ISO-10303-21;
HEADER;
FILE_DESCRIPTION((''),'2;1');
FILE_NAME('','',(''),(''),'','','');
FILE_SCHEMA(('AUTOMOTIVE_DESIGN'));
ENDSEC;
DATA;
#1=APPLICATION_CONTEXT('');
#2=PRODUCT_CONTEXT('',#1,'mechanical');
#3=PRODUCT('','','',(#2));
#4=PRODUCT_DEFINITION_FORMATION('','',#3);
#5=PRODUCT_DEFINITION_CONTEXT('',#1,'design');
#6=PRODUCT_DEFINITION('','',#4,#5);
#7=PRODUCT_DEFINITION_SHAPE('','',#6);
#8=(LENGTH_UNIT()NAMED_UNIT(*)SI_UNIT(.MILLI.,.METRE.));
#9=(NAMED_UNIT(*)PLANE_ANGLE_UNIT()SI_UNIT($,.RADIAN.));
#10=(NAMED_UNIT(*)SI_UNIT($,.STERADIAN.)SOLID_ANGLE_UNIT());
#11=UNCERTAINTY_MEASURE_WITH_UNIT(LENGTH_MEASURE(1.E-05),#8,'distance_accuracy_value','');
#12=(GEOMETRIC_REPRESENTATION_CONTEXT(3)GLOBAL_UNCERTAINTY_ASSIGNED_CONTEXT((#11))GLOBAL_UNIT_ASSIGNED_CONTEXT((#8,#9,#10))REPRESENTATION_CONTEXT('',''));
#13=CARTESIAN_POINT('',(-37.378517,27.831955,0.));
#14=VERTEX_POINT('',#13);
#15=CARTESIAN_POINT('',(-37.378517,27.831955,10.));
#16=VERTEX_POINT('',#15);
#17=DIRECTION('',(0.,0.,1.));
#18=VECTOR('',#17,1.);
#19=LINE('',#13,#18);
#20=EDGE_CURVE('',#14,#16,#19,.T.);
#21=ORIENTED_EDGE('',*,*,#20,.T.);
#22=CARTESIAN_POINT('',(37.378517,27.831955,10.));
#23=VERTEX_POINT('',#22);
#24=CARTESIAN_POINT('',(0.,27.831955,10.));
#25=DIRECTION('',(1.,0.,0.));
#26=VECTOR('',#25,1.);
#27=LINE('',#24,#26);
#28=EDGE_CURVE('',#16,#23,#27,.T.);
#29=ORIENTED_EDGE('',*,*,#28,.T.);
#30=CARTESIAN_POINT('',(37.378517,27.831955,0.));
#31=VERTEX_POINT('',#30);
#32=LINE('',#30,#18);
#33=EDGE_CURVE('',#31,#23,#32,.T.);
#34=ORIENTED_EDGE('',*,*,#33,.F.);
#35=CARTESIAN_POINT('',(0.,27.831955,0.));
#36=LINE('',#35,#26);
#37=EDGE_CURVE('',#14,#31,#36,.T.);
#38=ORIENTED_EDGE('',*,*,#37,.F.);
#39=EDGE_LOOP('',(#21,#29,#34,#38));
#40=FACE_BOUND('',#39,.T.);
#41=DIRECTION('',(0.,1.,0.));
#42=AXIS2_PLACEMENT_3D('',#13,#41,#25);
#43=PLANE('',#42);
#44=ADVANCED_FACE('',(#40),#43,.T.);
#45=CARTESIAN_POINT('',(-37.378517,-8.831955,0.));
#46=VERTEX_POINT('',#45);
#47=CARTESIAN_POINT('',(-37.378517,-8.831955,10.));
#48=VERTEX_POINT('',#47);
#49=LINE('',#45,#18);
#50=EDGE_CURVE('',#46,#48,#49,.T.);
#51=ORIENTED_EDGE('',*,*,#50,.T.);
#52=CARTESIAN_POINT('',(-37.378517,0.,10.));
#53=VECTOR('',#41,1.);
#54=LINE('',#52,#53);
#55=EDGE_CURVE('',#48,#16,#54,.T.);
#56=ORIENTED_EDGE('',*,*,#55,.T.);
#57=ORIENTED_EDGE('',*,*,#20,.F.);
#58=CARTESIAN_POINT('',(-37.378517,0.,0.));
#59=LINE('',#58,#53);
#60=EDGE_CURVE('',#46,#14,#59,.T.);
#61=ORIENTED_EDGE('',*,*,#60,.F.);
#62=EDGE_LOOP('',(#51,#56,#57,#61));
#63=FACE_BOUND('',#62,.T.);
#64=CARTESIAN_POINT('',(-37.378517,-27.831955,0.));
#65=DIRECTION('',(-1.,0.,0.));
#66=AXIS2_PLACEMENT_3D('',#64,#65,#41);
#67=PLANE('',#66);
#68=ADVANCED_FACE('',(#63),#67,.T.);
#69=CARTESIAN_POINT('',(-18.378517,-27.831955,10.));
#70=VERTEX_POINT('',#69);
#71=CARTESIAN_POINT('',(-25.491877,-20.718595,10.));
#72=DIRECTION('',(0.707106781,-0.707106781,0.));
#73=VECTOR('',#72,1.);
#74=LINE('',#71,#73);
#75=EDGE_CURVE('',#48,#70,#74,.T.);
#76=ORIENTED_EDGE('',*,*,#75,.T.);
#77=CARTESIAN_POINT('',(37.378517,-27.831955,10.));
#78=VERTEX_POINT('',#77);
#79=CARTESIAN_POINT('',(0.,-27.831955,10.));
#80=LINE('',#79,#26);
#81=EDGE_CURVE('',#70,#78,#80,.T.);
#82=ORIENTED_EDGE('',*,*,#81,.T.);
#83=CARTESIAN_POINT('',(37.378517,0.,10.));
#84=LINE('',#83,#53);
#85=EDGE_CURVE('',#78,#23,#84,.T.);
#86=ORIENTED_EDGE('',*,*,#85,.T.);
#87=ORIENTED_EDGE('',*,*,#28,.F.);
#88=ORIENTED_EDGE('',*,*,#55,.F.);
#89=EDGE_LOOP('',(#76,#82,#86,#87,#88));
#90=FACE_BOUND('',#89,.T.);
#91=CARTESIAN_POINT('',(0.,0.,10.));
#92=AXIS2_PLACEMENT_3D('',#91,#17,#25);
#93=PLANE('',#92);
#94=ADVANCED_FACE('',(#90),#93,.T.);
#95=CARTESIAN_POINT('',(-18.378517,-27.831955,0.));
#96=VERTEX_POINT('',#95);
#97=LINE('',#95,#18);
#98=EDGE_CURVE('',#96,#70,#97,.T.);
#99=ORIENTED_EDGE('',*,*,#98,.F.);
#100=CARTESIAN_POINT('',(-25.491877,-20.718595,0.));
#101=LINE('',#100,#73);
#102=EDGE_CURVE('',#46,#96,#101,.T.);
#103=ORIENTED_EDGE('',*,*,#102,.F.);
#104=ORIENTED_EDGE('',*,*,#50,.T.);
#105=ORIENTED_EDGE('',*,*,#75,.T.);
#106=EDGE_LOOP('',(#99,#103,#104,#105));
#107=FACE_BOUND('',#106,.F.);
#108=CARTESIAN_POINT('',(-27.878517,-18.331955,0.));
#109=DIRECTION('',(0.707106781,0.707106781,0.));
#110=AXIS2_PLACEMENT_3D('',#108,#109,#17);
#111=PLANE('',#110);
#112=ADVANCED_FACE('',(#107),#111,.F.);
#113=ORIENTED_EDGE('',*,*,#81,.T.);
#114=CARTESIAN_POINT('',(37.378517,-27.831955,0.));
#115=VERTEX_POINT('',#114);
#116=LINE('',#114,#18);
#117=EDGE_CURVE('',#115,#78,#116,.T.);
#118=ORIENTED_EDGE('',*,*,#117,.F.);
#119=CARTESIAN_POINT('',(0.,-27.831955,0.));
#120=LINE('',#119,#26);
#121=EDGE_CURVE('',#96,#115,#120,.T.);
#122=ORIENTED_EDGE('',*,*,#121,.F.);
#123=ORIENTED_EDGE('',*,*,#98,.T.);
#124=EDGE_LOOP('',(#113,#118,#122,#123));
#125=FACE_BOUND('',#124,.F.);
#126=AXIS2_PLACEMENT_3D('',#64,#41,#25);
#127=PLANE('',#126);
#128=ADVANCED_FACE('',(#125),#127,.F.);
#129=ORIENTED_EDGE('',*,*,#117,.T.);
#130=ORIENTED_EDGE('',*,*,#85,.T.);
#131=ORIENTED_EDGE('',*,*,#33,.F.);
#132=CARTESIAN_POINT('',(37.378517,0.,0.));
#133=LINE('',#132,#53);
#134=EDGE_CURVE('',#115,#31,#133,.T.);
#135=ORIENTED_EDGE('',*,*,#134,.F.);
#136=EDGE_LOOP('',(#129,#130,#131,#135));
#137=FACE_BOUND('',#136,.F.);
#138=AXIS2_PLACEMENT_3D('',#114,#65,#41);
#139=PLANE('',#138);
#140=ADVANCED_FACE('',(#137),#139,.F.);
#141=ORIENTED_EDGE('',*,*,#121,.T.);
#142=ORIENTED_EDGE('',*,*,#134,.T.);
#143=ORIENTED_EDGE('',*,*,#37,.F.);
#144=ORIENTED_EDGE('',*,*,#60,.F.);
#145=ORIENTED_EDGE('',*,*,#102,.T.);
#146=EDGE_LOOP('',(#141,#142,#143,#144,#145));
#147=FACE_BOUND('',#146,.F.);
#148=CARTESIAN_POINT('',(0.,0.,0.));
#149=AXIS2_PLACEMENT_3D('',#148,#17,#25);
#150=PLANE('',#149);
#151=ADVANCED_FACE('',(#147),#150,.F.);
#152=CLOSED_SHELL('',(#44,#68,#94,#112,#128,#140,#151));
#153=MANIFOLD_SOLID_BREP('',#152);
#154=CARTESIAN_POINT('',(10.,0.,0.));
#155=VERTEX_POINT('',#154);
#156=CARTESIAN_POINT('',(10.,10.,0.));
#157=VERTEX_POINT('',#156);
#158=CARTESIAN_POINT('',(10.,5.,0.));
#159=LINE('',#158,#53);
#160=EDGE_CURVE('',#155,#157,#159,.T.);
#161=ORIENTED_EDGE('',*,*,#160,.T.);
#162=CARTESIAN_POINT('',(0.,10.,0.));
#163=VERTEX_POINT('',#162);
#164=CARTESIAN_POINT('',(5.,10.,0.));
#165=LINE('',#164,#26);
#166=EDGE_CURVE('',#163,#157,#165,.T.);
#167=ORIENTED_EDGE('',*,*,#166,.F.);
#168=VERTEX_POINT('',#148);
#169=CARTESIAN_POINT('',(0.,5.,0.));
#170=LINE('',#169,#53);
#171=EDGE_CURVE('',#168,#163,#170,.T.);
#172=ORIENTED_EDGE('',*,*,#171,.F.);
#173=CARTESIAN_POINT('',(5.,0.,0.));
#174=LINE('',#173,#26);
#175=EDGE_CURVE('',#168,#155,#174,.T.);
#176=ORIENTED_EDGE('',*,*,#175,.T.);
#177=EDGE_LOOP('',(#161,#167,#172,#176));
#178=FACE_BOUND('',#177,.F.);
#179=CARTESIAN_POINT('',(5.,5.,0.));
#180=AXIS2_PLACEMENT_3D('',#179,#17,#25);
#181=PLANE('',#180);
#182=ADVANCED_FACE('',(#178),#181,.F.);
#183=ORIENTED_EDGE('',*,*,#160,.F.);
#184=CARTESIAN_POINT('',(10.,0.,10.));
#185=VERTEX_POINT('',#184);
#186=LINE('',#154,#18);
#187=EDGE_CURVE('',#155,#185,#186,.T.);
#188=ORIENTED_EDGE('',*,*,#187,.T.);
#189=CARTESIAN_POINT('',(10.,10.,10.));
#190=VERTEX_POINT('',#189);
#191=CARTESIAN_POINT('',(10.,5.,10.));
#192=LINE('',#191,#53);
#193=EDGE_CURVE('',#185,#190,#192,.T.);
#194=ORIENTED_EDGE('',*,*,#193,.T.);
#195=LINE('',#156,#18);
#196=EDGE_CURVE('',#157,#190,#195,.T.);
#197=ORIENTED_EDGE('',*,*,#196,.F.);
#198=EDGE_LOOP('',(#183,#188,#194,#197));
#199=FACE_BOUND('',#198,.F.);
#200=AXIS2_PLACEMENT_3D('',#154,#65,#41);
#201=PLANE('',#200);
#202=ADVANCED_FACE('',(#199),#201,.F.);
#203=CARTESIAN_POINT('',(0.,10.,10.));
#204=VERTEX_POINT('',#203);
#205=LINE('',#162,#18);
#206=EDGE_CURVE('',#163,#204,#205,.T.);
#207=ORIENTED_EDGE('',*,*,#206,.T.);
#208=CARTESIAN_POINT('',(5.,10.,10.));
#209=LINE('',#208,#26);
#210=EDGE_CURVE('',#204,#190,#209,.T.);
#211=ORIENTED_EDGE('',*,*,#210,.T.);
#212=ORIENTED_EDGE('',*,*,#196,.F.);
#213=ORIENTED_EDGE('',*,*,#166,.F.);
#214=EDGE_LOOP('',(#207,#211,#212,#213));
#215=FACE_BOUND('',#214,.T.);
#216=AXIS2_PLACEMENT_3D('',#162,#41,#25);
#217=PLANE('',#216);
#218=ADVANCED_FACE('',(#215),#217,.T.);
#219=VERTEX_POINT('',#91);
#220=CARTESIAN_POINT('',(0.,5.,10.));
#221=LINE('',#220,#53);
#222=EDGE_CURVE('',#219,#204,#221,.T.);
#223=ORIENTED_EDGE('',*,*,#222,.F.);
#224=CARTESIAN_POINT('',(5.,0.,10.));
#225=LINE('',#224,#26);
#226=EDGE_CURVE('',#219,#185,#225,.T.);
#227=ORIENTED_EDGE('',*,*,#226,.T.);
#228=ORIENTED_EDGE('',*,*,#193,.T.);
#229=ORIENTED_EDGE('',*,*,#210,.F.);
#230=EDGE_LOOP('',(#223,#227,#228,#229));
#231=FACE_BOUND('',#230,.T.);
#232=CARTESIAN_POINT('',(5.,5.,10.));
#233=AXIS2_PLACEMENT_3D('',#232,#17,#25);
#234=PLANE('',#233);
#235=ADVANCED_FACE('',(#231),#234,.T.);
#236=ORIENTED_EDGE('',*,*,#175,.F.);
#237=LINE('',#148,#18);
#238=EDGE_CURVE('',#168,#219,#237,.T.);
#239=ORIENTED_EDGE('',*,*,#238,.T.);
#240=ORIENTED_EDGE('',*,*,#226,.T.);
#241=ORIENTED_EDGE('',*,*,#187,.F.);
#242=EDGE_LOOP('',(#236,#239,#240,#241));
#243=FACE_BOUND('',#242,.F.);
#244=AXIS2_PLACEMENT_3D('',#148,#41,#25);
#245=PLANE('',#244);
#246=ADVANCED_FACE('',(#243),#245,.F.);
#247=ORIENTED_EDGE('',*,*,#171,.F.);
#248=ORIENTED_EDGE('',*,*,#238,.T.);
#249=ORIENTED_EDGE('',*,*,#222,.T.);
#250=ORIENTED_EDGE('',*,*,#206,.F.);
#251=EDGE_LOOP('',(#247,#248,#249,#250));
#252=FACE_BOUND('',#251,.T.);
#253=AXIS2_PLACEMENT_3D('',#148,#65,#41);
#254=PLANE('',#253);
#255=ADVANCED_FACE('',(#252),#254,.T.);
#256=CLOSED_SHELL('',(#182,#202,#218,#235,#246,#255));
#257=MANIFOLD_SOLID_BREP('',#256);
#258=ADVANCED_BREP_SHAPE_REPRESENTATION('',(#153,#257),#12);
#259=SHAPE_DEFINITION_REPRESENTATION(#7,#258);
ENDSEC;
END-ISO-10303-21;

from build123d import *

# Parameters (mm, degrees)
SKETCH_W     = 74.757034
SKETCH_H     = 55.66391
PAD_DEPTH    = 10
CHAMFER_SIZE = 19
BOX_W        = 10
BOX_H        = 10
BOX_DEPTH    = 10


with BuildPart() as body:
    # Sketch → Pad (new body)
    with BuildSketch(Plane.XY):
        Rectangle(SKETCH_W, SKETCH_H)
    extrude(amount=PAD_DEPTH)

    # Chamfer
    chamfer_edges = [body.edges().sort_by_distance(p)[0] for p in [
        (-37.378517, -27.831955, 5),
    ]]
    chamfer(chamfer_edges, length=CHAMFER_SIZE)


with BuildPart() as cube:
    # Box → Box (new body)
    with BuildSketch(Plane.XY):
        with Locations((5, 5)):
            Rectangle(BOX_W, BOX_H)
    extrude(amount=BOX_DEPTH)


solid = Compound([body.part, cube.part])
